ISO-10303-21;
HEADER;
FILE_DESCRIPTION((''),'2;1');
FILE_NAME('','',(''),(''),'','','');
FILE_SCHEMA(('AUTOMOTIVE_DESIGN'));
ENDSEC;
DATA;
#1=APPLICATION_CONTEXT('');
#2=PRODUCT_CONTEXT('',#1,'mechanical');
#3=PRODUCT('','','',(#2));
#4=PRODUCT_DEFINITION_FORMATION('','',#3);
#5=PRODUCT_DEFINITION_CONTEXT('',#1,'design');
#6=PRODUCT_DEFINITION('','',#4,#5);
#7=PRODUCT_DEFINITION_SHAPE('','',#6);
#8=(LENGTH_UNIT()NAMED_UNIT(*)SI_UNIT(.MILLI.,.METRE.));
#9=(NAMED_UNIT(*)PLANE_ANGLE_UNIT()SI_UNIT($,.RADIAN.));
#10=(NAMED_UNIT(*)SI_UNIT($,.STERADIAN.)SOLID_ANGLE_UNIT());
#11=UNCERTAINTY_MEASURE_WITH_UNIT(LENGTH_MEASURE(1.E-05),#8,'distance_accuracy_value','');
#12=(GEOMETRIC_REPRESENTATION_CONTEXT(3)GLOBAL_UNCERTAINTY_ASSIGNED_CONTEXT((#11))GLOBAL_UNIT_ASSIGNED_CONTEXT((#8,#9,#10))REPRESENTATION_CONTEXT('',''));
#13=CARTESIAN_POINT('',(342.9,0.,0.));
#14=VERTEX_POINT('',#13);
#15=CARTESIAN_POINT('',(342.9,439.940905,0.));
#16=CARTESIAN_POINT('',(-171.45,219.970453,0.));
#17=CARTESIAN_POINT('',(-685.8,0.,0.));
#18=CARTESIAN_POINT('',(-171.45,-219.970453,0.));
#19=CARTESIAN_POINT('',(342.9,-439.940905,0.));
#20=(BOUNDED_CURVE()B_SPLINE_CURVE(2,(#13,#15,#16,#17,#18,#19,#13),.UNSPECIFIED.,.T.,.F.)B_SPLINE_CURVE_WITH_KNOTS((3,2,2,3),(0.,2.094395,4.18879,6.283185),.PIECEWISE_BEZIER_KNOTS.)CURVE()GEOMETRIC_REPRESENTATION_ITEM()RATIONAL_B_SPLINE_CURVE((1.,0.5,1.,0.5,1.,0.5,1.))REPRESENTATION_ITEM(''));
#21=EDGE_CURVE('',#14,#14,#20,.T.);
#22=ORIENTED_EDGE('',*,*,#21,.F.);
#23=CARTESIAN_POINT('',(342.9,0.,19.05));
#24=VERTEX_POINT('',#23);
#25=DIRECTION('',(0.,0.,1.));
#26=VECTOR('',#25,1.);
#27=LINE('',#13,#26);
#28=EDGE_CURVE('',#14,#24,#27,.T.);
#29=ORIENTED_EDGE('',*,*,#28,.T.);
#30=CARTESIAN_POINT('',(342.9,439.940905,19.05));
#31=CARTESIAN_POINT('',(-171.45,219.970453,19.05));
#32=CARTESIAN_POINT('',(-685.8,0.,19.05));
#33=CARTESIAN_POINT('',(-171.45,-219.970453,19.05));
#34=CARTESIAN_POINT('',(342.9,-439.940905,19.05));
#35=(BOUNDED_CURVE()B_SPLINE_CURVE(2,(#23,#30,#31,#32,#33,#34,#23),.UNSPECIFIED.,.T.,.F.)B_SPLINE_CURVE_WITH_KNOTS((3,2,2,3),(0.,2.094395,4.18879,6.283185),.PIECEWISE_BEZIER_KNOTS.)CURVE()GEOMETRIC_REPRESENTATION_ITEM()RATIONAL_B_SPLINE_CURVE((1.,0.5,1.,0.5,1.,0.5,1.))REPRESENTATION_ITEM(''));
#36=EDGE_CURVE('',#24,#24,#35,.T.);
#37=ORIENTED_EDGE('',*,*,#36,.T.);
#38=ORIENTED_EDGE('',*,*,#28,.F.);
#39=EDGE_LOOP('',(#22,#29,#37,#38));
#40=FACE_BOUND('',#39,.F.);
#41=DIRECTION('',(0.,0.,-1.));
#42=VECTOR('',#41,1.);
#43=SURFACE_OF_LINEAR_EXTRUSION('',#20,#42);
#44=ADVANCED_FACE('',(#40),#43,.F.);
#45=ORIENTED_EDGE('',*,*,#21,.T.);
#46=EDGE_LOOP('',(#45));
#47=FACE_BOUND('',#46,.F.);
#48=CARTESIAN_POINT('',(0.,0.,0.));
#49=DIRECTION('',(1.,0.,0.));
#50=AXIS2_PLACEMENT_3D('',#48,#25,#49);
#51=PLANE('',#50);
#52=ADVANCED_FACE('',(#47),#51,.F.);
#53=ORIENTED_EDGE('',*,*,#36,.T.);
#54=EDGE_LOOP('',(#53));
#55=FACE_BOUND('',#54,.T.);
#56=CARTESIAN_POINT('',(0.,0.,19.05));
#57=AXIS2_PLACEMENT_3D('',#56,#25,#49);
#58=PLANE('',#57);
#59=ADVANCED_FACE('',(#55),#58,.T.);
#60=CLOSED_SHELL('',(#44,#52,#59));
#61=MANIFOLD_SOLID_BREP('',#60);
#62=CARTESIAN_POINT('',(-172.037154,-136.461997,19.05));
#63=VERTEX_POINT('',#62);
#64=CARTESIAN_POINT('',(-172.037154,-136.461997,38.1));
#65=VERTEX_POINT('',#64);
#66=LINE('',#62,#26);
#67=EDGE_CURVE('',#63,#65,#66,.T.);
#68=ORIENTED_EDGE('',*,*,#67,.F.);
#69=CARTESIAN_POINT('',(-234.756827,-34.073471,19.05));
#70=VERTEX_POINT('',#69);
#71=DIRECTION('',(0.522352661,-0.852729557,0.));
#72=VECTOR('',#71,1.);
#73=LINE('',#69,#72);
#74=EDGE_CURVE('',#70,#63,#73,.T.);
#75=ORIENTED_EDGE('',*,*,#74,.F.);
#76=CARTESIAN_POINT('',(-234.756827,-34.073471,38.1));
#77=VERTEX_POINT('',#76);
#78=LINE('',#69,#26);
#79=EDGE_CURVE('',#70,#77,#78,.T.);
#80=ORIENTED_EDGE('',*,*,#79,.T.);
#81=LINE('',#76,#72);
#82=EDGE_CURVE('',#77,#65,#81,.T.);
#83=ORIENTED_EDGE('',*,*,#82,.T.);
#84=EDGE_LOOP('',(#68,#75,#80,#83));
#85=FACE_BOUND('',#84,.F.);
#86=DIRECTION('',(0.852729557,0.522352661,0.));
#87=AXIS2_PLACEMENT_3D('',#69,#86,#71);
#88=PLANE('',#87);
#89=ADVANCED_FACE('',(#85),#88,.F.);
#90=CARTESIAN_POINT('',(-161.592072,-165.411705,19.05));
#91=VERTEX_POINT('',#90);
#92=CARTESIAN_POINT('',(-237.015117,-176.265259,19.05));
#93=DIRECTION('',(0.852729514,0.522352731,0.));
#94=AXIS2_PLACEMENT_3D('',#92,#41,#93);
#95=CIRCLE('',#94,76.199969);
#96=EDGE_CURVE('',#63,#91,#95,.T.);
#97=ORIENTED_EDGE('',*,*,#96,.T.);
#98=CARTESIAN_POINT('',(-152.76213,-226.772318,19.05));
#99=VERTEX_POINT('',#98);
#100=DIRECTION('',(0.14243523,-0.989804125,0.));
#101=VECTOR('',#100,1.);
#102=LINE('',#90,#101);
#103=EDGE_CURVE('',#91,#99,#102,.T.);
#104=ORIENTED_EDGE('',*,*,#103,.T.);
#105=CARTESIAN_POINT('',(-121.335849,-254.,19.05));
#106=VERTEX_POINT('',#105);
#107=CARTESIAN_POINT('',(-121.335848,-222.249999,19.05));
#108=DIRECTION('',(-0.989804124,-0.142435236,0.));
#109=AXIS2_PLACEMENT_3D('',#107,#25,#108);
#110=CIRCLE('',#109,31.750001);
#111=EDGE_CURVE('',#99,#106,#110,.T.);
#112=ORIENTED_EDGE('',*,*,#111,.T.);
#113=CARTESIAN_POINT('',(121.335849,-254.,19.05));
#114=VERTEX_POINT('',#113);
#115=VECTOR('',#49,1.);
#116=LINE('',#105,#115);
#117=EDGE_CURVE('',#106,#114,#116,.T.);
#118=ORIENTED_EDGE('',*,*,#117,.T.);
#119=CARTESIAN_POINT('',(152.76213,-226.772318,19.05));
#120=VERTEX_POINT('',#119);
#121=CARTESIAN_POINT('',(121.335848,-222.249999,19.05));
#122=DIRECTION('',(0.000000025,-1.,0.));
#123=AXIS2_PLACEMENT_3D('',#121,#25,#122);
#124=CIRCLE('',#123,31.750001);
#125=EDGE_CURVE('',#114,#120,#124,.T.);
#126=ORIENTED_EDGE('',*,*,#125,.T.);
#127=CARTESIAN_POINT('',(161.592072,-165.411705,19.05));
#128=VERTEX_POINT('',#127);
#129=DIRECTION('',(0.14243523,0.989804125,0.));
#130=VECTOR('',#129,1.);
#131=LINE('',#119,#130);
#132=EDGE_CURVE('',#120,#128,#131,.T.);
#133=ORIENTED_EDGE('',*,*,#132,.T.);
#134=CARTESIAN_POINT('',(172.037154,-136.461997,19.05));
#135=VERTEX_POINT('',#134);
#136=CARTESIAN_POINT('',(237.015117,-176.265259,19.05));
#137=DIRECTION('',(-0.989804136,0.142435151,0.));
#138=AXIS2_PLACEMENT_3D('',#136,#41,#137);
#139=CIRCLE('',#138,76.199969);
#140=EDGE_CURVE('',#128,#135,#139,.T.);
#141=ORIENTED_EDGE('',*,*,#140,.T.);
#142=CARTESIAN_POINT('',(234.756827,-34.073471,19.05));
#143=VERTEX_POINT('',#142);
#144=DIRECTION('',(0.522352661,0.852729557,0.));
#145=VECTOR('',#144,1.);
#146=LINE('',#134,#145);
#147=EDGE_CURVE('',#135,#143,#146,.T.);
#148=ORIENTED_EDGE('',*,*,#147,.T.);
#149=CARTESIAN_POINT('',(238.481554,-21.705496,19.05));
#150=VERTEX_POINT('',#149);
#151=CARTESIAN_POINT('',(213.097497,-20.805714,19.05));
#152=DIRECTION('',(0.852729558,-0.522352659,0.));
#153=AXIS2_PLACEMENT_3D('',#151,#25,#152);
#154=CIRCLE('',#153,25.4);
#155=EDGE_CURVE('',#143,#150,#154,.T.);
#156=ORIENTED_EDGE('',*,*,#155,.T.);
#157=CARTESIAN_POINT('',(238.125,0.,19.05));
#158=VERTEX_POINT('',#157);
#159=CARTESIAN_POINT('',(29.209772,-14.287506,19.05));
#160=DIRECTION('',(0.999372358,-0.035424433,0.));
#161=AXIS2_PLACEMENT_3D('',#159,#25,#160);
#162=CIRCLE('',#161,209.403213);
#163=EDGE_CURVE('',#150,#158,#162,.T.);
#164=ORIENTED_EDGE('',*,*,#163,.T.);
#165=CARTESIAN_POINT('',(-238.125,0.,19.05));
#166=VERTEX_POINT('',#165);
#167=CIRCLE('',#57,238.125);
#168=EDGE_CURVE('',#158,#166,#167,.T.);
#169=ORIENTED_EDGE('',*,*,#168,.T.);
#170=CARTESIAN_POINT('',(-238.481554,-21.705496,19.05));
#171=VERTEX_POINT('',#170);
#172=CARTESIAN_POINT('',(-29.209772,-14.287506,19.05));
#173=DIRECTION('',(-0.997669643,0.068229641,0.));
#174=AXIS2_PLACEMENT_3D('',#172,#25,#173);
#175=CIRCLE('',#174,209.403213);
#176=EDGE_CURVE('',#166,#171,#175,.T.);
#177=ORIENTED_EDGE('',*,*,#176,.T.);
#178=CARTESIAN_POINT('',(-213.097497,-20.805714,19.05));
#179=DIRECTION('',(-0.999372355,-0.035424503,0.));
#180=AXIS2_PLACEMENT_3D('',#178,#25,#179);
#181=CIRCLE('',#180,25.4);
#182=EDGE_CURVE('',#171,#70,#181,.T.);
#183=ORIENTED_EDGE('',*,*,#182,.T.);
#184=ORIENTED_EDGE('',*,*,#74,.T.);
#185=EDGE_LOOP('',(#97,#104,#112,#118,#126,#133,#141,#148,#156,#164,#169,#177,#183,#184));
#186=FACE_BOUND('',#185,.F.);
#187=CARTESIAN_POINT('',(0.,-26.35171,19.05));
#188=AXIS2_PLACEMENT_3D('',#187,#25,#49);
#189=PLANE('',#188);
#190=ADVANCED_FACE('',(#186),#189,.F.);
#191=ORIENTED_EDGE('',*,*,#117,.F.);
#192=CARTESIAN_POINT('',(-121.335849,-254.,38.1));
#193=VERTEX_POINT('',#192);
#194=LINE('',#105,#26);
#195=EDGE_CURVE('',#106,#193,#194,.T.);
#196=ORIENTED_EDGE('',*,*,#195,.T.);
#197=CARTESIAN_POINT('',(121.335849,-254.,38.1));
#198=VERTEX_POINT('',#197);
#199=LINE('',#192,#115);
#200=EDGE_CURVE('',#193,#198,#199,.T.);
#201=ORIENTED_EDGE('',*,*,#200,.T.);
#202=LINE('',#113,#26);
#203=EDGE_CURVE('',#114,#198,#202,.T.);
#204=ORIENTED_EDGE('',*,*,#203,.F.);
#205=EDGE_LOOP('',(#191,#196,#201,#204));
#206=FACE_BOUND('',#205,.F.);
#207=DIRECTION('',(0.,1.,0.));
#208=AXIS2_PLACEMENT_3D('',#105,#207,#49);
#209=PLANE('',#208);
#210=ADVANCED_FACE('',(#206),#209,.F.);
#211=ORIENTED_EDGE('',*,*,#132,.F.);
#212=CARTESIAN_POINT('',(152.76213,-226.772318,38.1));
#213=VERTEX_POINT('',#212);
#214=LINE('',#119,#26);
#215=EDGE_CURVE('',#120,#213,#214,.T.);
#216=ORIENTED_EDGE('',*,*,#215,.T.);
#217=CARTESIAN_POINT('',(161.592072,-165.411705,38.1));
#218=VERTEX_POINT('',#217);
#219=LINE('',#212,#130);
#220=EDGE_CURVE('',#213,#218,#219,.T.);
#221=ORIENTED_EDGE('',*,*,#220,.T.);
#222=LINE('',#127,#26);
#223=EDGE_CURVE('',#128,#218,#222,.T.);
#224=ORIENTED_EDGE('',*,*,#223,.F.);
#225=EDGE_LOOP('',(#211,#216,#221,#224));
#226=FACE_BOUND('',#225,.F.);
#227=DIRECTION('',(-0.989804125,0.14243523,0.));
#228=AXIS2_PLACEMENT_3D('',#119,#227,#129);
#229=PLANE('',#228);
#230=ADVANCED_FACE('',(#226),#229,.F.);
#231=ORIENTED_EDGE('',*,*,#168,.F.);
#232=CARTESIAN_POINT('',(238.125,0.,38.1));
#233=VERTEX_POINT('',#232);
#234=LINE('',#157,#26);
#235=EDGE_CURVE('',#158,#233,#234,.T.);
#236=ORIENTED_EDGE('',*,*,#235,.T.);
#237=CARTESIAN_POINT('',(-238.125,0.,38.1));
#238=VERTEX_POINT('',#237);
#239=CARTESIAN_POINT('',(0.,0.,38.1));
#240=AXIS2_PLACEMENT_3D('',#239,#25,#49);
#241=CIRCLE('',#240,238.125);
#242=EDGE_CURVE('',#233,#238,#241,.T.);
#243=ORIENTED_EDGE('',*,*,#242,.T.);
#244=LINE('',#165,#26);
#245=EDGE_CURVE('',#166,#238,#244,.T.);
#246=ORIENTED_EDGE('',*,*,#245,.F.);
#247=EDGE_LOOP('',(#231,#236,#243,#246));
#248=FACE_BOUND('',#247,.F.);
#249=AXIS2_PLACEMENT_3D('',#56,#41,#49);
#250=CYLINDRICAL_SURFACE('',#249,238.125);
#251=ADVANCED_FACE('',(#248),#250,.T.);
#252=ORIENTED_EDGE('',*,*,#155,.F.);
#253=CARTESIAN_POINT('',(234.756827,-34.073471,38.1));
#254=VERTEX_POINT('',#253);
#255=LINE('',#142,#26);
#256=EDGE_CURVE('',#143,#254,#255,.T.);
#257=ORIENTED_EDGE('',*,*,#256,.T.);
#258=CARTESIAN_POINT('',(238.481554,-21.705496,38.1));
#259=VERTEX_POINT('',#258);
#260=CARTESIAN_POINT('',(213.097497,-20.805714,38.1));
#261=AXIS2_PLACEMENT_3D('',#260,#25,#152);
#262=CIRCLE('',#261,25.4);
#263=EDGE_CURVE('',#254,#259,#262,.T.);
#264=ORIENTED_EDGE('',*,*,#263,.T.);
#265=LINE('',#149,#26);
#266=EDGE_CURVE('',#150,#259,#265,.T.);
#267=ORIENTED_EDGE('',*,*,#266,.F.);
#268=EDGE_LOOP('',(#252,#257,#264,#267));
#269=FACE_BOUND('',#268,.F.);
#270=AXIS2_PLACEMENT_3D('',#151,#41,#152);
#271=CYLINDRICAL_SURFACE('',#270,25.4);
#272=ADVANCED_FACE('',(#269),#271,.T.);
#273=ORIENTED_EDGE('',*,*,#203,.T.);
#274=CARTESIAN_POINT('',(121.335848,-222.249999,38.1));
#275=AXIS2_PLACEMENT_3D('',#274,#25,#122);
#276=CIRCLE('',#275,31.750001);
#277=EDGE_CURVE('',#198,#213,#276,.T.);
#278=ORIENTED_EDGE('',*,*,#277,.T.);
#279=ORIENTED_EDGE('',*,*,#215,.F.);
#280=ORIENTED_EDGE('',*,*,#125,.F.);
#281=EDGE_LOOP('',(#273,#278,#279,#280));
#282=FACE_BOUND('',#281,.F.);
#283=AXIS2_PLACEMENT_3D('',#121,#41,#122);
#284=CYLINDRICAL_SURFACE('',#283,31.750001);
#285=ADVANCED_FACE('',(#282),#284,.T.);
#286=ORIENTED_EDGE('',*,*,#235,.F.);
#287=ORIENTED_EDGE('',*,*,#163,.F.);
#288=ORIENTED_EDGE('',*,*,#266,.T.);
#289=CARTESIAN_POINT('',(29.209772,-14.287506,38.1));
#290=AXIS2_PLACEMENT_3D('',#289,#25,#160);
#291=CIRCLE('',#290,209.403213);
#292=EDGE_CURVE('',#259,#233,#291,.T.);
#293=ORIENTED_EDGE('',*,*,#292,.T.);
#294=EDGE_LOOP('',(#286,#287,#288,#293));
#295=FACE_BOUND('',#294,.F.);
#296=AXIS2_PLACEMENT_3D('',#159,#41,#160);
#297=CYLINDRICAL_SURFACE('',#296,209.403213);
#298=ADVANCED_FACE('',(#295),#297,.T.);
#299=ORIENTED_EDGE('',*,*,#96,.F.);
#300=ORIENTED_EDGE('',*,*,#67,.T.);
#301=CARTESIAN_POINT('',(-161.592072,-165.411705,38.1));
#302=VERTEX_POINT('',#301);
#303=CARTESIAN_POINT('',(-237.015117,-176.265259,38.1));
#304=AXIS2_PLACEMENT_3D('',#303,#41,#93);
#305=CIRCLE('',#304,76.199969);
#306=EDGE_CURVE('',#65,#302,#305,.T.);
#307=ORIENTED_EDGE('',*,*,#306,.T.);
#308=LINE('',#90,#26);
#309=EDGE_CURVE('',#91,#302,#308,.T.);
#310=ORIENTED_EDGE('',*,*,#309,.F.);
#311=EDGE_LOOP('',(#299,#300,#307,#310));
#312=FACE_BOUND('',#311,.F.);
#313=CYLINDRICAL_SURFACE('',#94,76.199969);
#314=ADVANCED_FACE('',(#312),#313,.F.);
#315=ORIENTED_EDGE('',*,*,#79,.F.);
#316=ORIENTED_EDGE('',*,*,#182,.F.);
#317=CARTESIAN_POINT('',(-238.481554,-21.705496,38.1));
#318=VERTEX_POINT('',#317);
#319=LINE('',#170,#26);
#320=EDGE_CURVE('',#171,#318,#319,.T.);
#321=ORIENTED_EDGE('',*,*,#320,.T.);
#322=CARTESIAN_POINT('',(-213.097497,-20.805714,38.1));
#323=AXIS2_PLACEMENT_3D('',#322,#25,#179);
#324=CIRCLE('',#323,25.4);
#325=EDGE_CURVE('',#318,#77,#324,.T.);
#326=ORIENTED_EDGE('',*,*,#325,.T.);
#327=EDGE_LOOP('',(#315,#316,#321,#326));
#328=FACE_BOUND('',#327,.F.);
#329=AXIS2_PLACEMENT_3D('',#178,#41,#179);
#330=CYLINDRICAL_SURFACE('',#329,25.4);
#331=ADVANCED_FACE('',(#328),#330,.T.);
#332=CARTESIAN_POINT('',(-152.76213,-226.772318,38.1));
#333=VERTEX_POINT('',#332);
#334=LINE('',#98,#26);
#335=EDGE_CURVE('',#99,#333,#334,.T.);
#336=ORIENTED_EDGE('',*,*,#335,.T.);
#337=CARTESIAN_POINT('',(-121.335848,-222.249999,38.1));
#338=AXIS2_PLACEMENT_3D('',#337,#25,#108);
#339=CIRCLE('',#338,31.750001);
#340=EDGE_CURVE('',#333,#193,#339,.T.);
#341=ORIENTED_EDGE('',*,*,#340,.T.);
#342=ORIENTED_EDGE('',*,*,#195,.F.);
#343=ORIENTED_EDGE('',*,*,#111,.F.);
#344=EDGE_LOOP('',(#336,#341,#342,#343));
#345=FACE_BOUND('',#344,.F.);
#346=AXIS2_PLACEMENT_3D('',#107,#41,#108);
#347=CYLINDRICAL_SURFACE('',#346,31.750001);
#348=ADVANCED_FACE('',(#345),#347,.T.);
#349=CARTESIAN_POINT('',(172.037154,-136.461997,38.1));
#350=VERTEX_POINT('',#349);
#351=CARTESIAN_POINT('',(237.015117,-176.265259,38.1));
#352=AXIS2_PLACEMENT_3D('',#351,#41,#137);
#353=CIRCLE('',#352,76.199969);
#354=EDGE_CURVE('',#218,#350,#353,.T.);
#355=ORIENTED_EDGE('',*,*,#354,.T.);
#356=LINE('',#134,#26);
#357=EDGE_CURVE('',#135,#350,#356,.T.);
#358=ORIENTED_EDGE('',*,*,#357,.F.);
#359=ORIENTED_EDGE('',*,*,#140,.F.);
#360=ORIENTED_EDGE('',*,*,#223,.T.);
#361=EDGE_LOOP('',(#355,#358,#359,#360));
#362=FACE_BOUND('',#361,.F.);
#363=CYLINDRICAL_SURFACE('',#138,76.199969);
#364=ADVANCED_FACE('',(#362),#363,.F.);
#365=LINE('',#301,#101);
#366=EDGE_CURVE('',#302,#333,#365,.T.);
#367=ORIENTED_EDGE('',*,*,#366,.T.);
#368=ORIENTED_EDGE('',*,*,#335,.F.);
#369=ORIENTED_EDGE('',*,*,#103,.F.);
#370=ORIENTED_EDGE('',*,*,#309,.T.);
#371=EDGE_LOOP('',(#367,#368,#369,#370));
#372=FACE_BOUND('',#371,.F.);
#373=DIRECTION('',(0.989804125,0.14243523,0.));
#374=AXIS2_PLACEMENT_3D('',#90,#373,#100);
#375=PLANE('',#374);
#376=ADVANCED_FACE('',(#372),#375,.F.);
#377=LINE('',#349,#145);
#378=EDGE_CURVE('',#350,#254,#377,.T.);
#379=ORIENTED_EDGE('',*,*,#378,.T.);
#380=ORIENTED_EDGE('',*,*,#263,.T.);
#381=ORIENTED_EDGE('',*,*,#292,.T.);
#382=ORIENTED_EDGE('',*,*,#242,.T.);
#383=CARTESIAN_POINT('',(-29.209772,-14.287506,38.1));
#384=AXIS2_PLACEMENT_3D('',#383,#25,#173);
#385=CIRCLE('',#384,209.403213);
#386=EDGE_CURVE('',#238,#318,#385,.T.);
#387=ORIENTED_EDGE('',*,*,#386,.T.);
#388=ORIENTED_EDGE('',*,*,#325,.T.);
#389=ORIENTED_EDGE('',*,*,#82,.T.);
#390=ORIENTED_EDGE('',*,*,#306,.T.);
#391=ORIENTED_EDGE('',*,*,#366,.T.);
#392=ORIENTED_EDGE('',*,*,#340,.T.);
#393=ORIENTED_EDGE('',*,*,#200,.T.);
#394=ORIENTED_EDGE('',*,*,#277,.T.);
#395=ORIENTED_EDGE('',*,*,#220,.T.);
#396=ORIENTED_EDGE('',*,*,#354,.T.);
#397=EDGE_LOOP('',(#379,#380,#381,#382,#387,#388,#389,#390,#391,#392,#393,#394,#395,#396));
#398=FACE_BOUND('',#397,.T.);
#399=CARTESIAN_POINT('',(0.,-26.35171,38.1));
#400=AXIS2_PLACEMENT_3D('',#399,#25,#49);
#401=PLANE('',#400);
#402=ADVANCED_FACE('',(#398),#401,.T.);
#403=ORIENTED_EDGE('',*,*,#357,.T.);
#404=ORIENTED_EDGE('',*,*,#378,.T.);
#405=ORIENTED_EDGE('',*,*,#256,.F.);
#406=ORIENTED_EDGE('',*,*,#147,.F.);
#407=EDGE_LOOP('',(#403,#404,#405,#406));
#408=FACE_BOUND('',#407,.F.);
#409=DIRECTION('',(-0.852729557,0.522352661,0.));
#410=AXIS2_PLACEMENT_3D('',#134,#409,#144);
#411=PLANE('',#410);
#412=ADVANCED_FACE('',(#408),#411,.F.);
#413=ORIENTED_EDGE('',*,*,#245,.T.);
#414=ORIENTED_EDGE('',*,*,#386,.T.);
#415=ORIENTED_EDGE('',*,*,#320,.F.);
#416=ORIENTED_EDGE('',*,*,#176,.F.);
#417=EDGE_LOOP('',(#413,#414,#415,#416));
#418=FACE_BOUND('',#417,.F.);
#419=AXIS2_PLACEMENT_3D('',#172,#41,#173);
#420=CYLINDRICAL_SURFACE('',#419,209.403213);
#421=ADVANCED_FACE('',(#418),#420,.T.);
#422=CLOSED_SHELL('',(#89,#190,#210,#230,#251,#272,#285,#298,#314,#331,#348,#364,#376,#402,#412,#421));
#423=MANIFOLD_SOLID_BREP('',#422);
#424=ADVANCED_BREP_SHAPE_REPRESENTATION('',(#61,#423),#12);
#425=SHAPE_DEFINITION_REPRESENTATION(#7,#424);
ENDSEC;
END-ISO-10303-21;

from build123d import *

# Parameters (mm, degrees)
F1_DEPTH = 19.05
F3_DEPTH = 19.05


with BuildPart() as f1:
    # F0 (on Top) → F1 (new body)
    with BuildSketch(Plane.XY):
        with BuildLine():
            add(Edge.make_bspline(
                [(342.9, 0), (342.9, 439.940905), (-171.45, 219.970453), (-685.8, 0), (-171.45, -219.970453), (342.9, -439.940905), (342.9, 0)],
                knots=[0, 0, 0, 2.094395, 2.094395, 4.18879, 4.18879, 6.283185, 6.283185, 6.283185], degree=2, weights=[1, 0.5, 1, 0.5, 1, 0.5, 1]))
        make_face()
    extrude(amount=F1_DEPTH)


with BuildPart() as f3:
    # F2 (on face) → F3 (new body)
    with BuildSketch(Plane.XY.offset(19.05)):
        with BuildLine():
            ThreePointArc((238.481554, -21.705496), (238.584737, -10.848124), (238.125, 0))
            ThreePointArc((238.125, 0), (0, 238.125), (-238.125, 0))
            ThreePointArc((-238.125, 0), (-238.584737, -10.848124), (-238.481554, -21.705496))
            ThreePointArc((-238.481554, -21.705496), (-237.418512, -28.130206), (-234.756827, -34.073471))
            Line((-234.756827, -34.073471), (-172.037154, -136.461997))
            ThreePointArc((-172.037154, -136.461997), (-165.337839, -150.40403), (-161.592072, -165.411705))
            Line((-161.592072, -165.411705), (-152.76213, -226.772318))
            ThreePointArc((-152.76213, -226.772318), (-142.126218, -246.246313), (-121.335849, -254))
            Line((-121.335849, -254), (121.335849, -254))
            ThreePointArc((121.335849, -254), (142.126218, -246.246313), (152.76213, -226.772318))
            Line((152.76213, -226.772318), (161.592072, -165.411705))
            ThreePointArc((161.592072, -165.411705), (165.337839, -150.40403), (172.037154, -136.461997))
            Line((172.037154, -136.461997), (234.756827, -34.073471))
            ThreePointArc((234.756827, -34.073471), (237.418512, -28.130206), (238.481554, -21.705496))
        make_face()
    extrude(amount=F3_DEPTH)


solid = Compound([f1.part, f3.part])
